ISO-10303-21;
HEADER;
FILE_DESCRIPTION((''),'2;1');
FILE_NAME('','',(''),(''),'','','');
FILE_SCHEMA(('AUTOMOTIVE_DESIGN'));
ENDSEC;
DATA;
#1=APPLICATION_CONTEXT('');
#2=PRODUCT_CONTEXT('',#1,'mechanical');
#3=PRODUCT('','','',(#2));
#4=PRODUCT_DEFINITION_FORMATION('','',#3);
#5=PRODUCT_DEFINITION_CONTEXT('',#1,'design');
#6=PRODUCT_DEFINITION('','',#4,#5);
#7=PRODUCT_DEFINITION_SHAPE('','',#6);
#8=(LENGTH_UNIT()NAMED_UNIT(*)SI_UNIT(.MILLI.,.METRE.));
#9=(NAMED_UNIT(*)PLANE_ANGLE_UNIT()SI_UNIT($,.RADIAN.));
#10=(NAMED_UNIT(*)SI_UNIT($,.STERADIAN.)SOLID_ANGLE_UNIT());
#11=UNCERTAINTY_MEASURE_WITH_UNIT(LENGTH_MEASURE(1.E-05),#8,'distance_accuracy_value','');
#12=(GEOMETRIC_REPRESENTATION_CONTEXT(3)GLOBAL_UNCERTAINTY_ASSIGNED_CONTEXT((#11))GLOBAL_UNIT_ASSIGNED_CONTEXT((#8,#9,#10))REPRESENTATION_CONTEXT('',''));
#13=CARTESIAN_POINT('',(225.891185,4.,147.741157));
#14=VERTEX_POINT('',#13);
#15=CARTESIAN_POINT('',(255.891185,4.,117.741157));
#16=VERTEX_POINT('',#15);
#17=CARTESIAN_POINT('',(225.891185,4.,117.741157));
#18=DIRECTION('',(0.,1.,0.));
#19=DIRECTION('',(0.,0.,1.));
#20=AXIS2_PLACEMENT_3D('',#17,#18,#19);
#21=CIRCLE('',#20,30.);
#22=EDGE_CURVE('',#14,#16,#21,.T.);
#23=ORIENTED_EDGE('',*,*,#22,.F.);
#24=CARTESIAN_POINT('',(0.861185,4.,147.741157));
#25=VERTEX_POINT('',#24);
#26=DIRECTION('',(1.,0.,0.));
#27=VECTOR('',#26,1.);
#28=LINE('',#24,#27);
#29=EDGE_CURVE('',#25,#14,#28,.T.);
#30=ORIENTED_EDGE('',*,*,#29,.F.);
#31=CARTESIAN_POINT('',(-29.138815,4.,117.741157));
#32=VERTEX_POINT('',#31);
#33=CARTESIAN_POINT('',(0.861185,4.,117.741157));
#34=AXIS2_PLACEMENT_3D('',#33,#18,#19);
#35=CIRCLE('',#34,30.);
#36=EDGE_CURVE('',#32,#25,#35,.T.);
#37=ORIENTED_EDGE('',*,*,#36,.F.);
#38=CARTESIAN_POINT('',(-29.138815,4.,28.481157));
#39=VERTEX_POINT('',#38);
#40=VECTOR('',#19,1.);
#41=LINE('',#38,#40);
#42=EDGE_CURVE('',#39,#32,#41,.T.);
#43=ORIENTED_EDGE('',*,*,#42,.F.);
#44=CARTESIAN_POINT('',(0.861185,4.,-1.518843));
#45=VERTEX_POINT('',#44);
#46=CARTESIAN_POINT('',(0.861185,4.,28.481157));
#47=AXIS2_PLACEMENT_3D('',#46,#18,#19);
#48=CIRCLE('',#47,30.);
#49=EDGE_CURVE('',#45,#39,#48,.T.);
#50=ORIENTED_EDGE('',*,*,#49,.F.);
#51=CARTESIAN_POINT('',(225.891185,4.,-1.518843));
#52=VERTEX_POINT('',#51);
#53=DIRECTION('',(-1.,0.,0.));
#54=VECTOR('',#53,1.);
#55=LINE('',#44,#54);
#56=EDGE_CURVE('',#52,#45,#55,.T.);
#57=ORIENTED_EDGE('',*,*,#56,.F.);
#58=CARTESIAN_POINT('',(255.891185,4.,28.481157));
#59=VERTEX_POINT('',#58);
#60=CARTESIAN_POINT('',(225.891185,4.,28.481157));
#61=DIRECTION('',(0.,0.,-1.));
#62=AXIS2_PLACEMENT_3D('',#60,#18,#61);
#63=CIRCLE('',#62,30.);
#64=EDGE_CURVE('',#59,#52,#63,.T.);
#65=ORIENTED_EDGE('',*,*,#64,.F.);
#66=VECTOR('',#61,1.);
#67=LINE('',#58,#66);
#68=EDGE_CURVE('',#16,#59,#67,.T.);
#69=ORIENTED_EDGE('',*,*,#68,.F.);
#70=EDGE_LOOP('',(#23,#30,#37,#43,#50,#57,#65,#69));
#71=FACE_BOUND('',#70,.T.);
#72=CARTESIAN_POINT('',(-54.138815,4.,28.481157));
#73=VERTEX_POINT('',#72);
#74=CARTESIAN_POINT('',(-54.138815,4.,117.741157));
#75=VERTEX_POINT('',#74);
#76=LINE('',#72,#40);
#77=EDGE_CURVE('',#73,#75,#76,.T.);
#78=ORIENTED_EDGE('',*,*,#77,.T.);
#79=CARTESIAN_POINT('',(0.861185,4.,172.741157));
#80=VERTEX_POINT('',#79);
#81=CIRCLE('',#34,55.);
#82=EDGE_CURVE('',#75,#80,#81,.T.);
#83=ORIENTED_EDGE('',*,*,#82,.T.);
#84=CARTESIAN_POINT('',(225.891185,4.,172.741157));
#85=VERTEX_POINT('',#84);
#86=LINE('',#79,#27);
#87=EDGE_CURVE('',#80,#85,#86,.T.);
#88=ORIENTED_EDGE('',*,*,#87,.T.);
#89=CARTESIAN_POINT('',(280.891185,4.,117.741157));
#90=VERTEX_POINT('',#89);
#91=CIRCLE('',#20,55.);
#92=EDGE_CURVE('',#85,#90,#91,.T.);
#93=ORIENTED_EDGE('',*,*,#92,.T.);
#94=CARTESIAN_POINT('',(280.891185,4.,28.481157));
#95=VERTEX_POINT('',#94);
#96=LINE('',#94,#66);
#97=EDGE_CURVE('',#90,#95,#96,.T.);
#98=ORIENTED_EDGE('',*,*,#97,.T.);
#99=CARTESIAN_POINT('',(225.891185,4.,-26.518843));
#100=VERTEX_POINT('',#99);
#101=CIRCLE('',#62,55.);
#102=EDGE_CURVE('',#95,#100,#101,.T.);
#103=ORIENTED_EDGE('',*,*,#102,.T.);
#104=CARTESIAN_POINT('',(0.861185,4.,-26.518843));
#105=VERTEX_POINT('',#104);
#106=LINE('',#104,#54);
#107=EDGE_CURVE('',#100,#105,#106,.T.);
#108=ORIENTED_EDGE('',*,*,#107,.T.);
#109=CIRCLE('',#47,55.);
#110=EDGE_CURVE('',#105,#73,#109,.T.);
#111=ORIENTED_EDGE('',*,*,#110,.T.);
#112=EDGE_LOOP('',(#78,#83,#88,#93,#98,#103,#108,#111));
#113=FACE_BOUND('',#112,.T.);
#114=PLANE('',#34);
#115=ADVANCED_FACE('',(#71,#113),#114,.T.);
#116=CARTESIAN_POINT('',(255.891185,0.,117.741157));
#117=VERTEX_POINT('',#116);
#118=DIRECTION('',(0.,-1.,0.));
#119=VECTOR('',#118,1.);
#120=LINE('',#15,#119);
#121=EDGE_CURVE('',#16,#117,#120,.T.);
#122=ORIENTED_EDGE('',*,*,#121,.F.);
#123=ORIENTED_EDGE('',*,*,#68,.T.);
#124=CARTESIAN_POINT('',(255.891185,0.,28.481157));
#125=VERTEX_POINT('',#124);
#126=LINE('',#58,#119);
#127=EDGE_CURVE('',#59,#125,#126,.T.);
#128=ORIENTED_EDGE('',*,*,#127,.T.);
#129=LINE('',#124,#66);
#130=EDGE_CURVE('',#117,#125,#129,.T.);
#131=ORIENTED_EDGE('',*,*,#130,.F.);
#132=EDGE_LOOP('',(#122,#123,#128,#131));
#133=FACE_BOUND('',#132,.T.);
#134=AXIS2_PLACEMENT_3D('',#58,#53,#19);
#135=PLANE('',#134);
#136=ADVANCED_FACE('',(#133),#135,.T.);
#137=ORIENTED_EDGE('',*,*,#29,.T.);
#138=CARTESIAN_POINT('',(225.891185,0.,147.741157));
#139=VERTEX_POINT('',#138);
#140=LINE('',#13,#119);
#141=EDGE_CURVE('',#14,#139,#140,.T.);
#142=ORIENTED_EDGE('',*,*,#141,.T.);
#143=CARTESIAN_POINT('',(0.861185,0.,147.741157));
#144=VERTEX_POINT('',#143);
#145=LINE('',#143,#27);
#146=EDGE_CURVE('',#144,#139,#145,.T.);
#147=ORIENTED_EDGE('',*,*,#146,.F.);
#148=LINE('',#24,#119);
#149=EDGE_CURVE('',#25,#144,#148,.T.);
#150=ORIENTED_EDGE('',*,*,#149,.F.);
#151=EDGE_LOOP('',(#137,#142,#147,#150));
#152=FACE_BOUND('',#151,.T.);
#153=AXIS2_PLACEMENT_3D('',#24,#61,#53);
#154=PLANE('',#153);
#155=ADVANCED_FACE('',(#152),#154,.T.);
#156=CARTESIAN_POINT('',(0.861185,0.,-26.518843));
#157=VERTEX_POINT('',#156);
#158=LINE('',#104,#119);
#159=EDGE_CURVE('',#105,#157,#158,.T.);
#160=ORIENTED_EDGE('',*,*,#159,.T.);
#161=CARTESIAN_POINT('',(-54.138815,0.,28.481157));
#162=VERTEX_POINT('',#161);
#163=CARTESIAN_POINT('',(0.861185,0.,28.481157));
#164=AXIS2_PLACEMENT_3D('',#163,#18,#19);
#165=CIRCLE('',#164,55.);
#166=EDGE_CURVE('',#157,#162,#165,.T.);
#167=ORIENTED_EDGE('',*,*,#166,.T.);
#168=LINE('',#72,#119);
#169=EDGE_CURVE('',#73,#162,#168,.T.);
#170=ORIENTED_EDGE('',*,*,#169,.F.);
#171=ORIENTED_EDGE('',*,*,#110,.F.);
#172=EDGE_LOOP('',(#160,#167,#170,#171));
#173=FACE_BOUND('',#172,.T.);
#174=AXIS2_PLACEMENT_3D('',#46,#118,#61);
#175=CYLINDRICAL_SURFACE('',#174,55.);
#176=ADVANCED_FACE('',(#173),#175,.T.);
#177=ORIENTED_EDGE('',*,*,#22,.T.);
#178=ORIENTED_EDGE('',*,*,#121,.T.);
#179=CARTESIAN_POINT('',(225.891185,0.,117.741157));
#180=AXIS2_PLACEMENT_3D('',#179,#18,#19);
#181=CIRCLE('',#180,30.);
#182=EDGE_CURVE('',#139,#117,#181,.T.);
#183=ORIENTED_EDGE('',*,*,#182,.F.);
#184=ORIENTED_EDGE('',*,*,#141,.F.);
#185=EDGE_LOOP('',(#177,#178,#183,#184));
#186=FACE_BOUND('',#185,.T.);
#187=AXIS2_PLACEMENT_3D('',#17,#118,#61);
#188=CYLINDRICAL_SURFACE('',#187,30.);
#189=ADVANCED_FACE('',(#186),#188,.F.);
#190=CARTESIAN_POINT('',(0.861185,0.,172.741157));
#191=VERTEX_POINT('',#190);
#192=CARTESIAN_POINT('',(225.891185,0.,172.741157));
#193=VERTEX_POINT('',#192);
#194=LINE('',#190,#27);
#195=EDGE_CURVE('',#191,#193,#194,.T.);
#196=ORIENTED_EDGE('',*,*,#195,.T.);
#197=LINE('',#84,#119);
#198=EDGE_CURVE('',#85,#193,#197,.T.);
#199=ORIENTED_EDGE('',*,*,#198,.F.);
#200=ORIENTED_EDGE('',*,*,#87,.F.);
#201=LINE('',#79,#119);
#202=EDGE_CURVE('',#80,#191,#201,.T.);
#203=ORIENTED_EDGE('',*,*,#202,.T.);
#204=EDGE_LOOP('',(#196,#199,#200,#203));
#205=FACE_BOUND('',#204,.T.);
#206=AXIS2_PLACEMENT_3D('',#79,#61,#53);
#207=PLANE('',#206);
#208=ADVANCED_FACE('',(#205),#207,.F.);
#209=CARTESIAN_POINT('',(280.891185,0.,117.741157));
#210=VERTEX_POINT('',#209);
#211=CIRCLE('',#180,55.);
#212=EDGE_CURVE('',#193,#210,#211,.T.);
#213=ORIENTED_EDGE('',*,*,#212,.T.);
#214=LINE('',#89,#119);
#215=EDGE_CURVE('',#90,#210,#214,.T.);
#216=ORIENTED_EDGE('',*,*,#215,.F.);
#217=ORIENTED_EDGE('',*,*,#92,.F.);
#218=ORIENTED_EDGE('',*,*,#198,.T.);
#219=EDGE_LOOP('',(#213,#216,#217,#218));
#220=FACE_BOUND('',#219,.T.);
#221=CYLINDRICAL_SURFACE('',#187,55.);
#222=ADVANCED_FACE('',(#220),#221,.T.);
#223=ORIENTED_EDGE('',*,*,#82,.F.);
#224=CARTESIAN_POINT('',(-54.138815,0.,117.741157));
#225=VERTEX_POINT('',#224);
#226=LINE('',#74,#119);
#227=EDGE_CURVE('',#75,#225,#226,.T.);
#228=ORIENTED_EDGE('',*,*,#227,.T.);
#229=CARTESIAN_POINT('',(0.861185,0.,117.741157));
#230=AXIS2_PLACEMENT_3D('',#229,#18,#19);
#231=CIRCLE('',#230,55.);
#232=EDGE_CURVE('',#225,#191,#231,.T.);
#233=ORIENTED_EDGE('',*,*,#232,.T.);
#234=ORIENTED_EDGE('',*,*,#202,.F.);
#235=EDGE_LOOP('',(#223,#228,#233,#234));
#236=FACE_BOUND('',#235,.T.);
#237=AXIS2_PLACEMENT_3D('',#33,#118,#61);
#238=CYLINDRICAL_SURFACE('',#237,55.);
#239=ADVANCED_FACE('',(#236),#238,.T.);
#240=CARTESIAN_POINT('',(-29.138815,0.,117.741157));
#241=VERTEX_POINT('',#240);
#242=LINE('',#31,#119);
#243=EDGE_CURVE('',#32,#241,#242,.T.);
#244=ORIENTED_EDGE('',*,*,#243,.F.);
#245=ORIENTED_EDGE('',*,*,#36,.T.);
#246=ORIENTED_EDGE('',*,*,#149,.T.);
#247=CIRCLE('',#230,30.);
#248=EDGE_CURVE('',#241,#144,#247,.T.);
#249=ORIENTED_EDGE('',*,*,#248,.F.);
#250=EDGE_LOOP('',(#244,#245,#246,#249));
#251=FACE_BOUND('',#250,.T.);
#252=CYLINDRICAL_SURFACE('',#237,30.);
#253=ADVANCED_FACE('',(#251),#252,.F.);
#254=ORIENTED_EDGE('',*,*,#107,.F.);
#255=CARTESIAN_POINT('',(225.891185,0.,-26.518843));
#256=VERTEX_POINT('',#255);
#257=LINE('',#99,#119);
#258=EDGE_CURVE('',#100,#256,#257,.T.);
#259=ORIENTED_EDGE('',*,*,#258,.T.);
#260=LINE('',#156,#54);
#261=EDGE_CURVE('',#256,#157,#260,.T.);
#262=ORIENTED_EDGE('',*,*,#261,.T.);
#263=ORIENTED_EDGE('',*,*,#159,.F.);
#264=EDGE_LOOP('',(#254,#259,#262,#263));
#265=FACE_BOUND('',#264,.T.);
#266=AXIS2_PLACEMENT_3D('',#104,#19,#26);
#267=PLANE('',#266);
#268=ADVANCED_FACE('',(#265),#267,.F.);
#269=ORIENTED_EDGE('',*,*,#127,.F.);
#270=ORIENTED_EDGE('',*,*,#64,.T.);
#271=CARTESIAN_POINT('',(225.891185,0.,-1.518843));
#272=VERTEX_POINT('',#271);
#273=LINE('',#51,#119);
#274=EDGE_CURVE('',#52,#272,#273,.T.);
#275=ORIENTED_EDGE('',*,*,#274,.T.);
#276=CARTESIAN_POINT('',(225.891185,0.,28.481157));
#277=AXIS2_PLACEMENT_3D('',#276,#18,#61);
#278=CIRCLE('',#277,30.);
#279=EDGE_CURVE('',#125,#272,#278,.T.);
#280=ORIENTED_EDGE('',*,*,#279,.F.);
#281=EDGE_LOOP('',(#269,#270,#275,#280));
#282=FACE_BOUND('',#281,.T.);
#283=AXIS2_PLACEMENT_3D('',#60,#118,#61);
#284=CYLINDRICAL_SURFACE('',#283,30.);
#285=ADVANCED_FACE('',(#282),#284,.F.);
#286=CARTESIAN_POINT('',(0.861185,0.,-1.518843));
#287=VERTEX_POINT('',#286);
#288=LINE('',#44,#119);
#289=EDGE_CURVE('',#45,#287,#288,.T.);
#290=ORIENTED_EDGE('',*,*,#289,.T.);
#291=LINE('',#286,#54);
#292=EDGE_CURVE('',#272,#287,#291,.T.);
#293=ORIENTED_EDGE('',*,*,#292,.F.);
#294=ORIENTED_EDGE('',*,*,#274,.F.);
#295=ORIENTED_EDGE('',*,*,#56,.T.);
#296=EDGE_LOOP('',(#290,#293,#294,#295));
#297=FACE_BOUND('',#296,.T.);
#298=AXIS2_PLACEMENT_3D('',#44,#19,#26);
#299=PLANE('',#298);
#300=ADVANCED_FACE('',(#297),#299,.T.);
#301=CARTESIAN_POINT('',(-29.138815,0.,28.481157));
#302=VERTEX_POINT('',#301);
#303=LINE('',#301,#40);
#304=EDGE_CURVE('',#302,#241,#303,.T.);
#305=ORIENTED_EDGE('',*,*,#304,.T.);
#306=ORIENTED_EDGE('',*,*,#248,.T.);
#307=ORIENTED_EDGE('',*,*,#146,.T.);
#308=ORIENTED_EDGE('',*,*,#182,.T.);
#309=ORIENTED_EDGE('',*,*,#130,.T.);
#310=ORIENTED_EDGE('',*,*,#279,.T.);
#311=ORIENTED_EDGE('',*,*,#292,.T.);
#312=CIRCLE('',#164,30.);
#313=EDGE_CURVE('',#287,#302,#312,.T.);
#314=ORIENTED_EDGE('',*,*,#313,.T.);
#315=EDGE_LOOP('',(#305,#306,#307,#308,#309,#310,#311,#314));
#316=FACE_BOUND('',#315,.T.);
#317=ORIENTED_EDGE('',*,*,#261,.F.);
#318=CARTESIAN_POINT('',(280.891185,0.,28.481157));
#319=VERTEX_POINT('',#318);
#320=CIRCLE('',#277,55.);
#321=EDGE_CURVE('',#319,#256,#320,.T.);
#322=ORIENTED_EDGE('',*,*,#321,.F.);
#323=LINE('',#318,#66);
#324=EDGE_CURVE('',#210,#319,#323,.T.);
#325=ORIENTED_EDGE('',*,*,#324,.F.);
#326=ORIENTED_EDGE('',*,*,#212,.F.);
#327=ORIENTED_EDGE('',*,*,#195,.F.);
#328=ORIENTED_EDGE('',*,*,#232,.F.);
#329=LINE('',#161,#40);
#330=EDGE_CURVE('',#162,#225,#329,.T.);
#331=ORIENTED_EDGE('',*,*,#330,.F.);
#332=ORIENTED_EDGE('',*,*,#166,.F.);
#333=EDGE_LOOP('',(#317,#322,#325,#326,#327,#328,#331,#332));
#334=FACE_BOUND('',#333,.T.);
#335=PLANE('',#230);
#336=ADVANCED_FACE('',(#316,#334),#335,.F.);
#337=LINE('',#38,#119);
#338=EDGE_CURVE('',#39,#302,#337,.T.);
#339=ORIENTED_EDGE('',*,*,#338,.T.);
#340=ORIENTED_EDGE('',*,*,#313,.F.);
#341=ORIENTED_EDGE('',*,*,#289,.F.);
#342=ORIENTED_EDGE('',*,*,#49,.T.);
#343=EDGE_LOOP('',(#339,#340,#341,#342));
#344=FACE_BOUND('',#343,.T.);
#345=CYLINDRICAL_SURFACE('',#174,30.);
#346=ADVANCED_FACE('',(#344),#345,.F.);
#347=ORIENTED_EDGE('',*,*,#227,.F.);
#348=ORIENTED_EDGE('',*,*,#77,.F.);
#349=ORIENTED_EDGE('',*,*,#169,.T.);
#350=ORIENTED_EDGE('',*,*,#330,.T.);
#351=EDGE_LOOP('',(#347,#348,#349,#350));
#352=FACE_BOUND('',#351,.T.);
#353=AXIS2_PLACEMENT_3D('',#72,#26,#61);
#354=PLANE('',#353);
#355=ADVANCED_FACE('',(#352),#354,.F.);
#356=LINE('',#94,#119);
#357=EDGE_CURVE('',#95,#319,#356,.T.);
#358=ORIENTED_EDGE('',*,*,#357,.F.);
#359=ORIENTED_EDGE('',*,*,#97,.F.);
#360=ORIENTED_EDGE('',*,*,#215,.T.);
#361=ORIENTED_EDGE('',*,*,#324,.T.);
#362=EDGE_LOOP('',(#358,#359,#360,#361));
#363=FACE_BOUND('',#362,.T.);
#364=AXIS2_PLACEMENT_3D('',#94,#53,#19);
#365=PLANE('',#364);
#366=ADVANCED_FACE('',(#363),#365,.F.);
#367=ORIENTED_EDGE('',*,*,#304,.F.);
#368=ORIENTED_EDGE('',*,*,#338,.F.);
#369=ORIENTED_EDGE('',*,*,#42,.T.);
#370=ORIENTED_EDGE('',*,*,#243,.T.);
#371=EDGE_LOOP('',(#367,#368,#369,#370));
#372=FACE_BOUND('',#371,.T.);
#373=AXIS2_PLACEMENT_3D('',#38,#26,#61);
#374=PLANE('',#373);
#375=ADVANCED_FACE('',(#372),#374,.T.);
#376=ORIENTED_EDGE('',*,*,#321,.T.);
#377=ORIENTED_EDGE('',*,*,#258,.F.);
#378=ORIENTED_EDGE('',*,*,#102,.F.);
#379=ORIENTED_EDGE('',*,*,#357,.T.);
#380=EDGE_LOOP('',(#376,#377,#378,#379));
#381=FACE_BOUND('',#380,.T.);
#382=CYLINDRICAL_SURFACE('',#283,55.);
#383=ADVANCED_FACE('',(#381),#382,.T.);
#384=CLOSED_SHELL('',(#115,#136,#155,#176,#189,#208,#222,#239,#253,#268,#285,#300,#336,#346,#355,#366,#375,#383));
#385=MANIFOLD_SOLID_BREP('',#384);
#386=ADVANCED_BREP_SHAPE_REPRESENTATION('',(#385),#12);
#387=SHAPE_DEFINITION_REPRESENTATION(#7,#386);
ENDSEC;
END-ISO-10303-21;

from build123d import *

# Parameters (mm, degrees)
BOSS_EXTRUDE1_DEPTH = 4


with BuildPart() as part:
    # Sketch1 → Boss-Extrude1 (new body)
    with BuildSketch(Plane(origin=(0, 0, 0), x_dir=(1, 0, 0), z_dir=(0, 1, 0))):
        with BuildLine():
            Line((0.861185256, 26.518843154), (225.891185256, 26.518843154))
            ThreePointArc((225.891185256, 26.518843154), (264.782058221, 10.409716119), (280.891185256, -28.481156846))
            Line((280.891185256, -28.481156846), (280.891185256, -117.741156846))
            ThreePointArc((280.891185256, -117.741156846), (264.782058221, -156.632029811), (225.891185256, -172.741156846))
            Line((225.891185256, -172.741156846), (0.861185256, -172.741156846))
            ThreePointArc((0.861185256, -172.741156846), (-38.029687709, -156.632029811), (-54.138814744, -117.741156846))
            Line((-54.138814744, -117.741156846), (-54.138814744, -28.481156846))
            ThreePointArc((-54.138814744, -28.481156846), (-38.029687709, 10.409716119), (0.861185256, 26.518843154))
        make_face()
        with BuildLine():
            Line((0.861185256, 1.518843154), (225.891185256, 1.518843154))
            ThreePointArc((225.891185256, 1.518843154), (247.104388692, -7.26795341), (255.891185256, -28.481156846))
            Line((255.891185256, -28.481156846), (255.891185256, -117.741156846))
            ThreePointArc((255.891185256, -117.741156846), (247.104388692, -138.954360281), (225.891185256, -147.741156846))
            Line((225.891185256, -147.741156846), (0.861185256, -147.741156846))
            ThreePointArc((0.861185256, -147.741156846), (-20.352018179, -138.954360281), (-29.138814744, -117.741156846))
            Line((-29.138814744, -117.741156846), (-29.138814744, -28.481156846))
            ThreePointArc((-29.138814744, -28.481156846), (-20.352018179, -7.26795341), (0.861185256, 1.518843154))
        make_face(mode=Mode.SUBTRACT)
    extrude(amount=BOSS_EXTRUDE1_DEPTH)


solid = part.part
